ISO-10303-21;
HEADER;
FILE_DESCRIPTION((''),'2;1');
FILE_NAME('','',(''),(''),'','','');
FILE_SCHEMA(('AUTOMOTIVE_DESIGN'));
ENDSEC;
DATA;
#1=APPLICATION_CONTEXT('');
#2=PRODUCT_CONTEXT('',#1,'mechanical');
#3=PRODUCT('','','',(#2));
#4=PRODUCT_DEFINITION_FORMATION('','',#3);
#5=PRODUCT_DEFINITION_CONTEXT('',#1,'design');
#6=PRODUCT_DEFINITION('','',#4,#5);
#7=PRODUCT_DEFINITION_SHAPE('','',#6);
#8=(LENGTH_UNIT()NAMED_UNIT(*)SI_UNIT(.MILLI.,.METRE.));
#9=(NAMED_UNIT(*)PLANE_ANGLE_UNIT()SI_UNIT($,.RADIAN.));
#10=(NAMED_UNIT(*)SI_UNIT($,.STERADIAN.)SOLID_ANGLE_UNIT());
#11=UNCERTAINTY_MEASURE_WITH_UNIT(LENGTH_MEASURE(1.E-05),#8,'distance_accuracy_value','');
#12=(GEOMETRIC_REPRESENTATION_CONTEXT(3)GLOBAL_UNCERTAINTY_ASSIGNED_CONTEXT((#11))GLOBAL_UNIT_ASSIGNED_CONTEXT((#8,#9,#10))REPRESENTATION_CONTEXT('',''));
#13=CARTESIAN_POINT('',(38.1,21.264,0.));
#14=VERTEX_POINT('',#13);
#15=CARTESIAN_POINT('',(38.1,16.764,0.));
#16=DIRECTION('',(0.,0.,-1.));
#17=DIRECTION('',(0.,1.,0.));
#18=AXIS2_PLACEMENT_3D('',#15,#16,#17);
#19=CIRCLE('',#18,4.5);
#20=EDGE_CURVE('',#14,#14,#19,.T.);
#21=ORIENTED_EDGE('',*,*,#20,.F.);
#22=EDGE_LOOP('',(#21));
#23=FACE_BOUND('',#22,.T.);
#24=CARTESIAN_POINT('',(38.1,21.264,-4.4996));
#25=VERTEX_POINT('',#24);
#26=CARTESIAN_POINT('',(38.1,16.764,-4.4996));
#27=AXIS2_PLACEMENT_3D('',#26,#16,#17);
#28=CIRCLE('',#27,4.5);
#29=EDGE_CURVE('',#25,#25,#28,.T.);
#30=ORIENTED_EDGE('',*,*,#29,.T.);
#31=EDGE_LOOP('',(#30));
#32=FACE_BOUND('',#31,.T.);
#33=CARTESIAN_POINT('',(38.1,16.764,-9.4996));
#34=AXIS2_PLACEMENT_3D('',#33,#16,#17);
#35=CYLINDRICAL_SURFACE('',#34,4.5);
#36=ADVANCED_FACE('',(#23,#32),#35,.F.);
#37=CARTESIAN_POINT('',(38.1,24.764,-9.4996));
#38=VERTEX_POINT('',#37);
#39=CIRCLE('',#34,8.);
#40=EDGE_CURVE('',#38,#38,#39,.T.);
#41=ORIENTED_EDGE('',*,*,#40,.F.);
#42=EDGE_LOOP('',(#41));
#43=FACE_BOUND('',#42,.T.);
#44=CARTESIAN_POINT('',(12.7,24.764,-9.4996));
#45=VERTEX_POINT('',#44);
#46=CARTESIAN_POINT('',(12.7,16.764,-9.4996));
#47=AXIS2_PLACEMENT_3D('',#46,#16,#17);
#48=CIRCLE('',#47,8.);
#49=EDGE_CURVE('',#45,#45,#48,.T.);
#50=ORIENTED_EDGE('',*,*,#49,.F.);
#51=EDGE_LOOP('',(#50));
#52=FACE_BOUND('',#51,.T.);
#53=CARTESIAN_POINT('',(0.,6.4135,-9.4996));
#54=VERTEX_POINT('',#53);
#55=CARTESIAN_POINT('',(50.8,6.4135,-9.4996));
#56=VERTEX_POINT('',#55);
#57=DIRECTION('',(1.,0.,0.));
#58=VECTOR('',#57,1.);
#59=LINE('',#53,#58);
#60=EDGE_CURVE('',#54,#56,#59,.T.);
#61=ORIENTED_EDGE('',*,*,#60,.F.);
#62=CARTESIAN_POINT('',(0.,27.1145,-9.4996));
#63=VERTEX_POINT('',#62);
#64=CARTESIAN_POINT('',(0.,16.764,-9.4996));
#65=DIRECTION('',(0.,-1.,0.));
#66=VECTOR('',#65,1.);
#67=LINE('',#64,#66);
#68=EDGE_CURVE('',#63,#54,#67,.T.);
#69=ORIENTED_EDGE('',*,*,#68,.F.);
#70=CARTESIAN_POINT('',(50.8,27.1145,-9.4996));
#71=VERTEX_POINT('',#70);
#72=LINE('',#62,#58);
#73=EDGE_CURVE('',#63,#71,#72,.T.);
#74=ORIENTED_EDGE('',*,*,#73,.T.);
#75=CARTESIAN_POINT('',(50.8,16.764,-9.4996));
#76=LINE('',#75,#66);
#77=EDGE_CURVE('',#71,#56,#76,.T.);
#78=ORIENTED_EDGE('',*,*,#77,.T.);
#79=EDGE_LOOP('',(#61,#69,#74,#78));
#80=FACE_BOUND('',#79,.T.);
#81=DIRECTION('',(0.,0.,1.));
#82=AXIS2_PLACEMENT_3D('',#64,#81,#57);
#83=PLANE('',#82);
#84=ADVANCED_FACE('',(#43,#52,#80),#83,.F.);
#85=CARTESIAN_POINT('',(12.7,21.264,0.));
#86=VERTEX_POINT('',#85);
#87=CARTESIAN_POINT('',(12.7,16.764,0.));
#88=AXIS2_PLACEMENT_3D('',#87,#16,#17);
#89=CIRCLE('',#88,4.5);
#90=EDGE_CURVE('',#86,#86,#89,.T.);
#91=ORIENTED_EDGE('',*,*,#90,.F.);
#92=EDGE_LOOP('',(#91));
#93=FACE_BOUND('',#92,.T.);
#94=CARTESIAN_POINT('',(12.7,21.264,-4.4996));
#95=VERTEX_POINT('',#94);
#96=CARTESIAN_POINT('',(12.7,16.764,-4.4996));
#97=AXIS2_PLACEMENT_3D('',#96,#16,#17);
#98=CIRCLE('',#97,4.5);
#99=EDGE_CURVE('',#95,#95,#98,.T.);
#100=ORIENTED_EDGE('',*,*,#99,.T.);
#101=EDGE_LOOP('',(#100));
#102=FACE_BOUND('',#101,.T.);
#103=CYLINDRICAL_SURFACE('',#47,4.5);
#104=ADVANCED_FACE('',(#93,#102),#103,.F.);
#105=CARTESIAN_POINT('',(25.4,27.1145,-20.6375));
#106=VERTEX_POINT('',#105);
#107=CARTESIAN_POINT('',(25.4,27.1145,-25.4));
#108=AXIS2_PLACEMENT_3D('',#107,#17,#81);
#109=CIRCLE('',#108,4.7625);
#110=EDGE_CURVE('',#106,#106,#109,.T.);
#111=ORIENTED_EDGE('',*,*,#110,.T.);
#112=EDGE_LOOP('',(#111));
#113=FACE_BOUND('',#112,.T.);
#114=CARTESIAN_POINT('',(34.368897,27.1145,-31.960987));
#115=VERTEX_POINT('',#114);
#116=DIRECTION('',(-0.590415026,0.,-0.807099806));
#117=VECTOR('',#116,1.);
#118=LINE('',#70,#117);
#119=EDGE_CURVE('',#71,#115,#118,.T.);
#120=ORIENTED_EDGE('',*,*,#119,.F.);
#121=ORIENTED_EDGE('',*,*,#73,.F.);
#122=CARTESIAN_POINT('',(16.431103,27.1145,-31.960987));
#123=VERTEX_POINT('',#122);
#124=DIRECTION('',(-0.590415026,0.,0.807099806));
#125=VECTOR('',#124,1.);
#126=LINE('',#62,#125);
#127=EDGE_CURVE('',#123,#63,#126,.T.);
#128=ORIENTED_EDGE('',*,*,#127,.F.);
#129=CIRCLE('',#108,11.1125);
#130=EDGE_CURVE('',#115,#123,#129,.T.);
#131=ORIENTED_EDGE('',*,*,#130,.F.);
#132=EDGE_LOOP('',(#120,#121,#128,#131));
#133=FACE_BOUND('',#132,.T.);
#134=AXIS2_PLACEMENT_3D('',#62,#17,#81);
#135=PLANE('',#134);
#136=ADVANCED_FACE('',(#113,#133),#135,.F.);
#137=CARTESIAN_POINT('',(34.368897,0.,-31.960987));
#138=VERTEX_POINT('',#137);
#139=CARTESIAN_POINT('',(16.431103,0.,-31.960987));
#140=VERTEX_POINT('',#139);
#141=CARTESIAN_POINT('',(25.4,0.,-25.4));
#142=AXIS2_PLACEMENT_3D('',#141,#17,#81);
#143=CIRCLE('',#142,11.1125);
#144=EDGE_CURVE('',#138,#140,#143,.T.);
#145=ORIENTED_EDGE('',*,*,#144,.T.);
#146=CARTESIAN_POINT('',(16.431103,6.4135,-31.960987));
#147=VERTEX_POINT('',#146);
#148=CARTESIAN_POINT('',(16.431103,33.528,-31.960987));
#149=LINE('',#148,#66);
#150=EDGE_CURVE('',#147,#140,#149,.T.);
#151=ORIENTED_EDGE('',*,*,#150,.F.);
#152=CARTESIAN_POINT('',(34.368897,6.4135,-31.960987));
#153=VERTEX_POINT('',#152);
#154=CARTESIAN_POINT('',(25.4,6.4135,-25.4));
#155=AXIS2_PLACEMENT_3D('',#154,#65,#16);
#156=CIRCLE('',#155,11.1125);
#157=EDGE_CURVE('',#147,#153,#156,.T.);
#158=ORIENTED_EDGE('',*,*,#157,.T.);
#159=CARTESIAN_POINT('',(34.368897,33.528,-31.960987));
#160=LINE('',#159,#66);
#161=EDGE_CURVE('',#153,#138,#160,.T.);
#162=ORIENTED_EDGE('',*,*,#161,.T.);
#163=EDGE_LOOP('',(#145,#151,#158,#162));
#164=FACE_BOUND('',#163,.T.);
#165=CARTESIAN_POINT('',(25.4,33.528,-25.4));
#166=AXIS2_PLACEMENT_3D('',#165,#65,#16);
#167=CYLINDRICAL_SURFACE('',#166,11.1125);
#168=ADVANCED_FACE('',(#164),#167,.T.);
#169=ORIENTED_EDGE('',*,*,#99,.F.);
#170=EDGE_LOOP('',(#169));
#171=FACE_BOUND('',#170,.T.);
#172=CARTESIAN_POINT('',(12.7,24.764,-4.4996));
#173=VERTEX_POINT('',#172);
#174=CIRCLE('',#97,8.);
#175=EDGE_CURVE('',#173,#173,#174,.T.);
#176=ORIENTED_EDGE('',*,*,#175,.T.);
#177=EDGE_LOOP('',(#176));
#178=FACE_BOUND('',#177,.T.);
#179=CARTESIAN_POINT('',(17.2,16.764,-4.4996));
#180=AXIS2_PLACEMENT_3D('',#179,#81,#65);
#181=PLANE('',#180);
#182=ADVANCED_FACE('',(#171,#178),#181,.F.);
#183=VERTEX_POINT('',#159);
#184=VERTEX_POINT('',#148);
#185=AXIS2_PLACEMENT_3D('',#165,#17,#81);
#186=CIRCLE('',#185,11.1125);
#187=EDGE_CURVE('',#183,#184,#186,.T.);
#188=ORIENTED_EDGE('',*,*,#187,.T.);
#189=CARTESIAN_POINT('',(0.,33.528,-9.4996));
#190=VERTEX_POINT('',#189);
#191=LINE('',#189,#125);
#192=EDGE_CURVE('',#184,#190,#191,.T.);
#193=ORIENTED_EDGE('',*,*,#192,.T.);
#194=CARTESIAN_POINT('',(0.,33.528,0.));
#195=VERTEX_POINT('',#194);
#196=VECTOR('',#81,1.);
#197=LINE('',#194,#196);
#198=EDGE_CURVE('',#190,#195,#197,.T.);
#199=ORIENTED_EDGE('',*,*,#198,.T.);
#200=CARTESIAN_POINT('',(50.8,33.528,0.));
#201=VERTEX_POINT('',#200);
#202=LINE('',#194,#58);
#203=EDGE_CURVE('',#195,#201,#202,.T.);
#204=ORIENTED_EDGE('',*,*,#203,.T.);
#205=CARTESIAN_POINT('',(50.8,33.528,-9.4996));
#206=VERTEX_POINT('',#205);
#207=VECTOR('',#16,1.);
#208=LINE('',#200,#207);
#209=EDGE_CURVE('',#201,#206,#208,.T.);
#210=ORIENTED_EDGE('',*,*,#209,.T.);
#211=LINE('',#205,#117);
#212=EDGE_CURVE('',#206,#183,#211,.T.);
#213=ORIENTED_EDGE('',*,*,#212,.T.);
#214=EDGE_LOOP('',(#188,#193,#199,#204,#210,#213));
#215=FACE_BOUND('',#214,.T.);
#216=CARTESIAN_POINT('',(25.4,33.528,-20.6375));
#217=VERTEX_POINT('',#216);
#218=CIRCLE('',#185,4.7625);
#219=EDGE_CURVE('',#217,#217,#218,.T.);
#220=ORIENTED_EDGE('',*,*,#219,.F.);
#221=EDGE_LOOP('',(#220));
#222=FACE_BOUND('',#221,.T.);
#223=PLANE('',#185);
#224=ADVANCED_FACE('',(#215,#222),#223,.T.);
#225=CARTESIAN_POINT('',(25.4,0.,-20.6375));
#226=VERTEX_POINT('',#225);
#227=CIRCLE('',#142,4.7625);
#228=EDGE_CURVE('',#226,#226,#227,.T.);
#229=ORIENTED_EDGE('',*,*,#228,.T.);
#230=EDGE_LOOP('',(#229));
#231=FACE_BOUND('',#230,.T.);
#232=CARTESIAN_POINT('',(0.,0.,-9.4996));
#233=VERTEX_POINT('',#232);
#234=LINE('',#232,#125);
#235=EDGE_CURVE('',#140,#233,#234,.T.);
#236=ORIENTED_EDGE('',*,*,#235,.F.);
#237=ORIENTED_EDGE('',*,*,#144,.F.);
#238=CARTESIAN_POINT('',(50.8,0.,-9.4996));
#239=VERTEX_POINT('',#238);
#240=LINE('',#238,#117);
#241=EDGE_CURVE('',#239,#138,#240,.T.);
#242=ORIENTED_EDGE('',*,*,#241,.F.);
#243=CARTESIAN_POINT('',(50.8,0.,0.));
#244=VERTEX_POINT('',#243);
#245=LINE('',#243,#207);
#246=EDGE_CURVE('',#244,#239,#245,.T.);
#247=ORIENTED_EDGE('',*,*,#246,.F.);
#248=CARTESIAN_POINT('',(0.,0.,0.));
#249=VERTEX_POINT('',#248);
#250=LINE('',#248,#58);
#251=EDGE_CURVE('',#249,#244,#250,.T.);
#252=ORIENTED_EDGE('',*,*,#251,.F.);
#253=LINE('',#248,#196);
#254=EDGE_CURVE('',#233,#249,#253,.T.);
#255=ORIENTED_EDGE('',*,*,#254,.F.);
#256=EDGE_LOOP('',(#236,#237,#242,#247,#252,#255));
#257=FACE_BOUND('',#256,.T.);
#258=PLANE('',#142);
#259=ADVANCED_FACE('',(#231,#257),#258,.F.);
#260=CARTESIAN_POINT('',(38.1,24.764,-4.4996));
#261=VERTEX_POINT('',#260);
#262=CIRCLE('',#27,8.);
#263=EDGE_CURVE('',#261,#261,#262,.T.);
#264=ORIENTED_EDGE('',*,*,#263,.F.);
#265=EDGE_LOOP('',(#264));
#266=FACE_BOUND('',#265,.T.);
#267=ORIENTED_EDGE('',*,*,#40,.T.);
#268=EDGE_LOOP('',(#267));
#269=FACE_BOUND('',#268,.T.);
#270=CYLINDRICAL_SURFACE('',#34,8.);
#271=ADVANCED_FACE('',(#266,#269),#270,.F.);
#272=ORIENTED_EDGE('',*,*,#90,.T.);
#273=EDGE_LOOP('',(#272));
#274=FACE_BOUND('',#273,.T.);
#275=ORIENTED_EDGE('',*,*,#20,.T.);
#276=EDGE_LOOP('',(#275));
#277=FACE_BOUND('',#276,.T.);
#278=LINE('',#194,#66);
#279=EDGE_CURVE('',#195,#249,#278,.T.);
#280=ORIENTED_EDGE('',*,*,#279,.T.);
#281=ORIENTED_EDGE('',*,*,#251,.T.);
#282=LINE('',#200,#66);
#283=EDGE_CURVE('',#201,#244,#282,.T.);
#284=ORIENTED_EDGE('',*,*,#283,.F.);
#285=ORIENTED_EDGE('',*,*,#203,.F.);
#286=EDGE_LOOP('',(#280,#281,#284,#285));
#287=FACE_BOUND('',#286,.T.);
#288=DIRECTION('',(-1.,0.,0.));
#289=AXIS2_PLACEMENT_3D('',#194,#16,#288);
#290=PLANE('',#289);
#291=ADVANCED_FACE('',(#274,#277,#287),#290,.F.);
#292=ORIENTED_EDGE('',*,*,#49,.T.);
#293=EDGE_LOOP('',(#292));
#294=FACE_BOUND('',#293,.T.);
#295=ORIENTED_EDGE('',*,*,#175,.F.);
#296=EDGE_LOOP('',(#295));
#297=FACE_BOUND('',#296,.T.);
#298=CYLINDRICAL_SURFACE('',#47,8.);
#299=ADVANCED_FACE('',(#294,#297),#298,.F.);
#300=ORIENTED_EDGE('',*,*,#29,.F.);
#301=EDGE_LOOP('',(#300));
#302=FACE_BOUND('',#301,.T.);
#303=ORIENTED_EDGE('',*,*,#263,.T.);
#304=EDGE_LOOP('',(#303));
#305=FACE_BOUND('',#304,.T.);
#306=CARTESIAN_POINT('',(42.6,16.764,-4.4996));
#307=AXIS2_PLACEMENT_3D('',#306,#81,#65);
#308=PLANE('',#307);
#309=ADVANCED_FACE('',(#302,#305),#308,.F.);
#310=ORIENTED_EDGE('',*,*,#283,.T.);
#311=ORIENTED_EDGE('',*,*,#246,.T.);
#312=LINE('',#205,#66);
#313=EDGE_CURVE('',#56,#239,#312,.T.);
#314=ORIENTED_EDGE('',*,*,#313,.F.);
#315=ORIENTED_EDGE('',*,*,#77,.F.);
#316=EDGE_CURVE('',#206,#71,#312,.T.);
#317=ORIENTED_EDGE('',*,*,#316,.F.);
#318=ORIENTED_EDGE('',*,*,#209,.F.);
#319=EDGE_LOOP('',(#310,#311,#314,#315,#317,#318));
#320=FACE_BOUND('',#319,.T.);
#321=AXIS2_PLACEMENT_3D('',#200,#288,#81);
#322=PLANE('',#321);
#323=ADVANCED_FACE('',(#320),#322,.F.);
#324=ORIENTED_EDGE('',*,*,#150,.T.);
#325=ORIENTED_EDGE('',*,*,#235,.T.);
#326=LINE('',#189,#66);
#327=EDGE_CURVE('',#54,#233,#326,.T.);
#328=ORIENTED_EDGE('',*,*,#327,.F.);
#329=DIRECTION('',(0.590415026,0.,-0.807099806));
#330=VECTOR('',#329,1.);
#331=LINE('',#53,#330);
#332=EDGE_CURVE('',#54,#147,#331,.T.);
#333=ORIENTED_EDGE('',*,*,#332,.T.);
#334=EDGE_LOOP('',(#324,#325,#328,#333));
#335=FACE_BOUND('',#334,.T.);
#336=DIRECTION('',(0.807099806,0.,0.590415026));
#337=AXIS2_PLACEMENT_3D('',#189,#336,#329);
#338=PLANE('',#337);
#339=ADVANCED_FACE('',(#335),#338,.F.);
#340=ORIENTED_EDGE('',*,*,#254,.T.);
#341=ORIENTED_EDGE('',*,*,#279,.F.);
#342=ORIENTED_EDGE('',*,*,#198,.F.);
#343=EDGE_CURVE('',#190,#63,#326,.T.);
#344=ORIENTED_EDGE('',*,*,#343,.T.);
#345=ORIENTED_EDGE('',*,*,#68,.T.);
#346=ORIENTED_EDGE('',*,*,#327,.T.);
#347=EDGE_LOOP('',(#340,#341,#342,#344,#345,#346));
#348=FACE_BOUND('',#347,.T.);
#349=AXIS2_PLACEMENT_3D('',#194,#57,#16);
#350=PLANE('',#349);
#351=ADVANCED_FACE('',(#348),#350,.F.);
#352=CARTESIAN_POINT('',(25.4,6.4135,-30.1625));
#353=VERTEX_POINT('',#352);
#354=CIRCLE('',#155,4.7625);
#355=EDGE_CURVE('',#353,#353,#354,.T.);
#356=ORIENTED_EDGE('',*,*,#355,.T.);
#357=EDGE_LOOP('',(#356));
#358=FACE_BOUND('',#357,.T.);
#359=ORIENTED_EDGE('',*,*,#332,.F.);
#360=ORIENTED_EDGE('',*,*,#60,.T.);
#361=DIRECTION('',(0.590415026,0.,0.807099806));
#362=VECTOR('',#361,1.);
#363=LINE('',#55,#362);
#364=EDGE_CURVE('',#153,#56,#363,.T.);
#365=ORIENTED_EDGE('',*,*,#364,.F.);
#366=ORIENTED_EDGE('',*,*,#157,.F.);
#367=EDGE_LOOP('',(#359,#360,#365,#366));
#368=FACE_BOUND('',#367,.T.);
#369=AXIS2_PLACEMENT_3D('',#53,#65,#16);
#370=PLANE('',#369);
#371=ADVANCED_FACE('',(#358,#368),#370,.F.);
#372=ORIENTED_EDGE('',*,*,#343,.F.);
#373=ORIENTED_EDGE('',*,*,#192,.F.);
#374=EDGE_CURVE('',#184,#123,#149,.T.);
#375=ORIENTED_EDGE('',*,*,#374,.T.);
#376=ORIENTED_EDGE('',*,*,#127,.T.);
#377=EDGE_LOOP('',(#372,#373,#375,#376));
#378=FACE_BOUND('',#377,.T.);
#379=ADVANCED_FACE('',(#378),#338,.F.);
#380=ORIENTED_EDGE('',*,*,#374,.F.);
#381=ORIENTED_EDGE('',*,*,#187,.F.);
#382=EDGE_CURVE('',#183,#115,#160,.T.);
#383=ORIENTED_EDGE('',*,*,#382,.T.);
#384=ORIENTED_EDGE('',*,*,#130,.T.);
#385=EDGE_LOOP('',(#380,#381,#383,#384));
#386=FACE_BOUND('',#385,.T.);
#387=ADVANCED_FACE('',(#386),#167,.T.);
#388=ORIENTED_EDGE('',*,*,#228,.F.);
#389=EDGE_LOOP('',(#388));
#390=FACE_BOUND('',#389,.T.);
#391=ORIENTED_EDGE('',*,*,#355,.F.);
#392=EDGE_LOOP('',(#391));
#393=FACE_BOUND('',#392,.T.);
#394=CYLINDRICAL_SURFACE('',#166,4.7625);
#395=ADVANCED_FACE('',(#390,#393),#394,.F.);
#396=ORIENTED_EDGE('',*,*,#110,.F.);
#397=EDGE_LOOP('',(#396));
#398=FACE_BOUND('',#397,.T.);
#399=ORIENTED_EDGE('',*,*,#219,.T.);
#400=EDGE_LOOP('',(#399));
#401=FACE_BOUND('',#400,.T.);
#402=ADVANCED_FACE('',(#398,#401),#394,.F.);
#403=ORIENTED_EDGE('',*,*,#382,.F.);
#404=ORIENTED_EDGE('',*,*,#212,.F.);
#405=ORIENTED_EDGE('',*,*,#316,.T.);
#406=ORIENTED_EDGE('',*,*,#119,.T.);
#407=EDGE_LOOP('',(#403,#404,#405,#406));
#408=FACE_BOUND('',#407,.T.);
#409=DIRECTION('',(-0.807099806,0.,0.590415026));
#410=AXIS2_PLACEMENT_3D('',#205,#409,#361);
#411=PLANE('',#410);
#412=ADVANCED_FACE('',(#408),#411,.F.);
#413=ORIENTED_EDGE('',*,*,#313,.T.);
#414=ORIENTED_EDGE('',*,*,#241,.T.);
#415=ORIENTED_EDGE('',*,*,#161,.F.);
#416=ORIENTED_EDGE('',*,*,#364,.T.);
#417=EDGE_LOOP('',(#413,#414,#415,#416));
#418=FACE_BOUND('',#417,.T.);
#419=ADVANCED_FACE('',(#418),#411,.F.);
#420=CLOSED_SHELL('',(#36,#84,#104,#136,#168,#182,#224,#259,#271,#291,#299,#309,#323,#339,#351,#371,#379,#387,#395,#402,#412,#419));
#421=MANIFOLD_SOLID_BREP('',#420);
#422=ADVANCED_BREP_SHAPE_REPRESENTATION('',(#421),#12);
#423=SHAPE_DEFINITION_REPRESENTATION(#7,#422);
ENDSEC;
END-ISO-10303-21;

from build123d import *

# Parameters (mm, degrees)
SKETCH1_R                               = 4.7625
BOSS_EXTRUDE1_DEPTH                     = 33.528
CUT_EXTRUDE1_DEPTH                      = 71.978373046
CBORE_FOR_M8_HEX_HEAD_BOLT1_D           = 9
CBORE_FOR_M8_HEX_HEAD_BOLT1_CBORE_D     = 16
CBORE_FOR_M8_HEX_HEAD_BOLT1_CBORE_DEPTH = 5


with BuildPart() as part:
    # Sketch1 → Boss-Extrude1 (new body)
    with BuildSketch(Plane(origin=(0, 0, 0), x_dir=(1, 0, 0), z_dir=(0, 1, 0))):
        with BuildLine():
            Line((0, 0), (50.8, 0))
            Line((50.8, 0), (50.8, 9.4996))
            Line((50.8, 9.4996), (34.368896597, 31.960986975))
            ThreePointArc((34.368896597, 31.960986975), (25.4, 36.5125), (16.431103403, 31.960986975))
            Line((16.431103403, 31.960986975), (0, 9.4996))
            Line((0, 9.4996), (0, 0))
        make_face()
        with Locations(Location((25.4, 25.4, 0), (0, 0, 270))):
            Circle(SKETCH1_R, mode=Mode.SUBTRACT)
    extrude(amount=BOSS_EXTRUDE1_DEPTH)

    # Sketch2 → Cut-Extrude1 (cut, through all)
    with BuildSketch(Plane(origin=(50.8, 0, 0), x_dir=(0, 0, -1), z_dir=(1, 0, 0))):
        Polygon((9.4996, 16.764), (9.4996, 27.1145), (36.5125, 27.1145), (36.5125, 6.4135), (9.4996, 6.4135), align=None)
    extrude(amount=-CUT_EXTRUDE1_DEPTH, mode=Mode.SUBTRACT)

    # CBORE for M8 Hex Head Bolt1 (through all)
    with Locations(Plane(origin=(0, 0, -9.4996), x_dir=(-1, 0, 0), z_dir=(0, 0, -1))):
        with Locations((-12.7, 16.764), (-38.1, 16.764)):
            CounterBoreHole(CBORE_FOR_M8_HEX_HEAD_BOLT1_D / 2, CBORE_FOR_M8_HEX_HEAD_BOLT1_CBORE_D / 2, CBORE_FOR_M8_HEX_HEAD_BOLT1_CBORE_DEPTH)


solid = part.part
